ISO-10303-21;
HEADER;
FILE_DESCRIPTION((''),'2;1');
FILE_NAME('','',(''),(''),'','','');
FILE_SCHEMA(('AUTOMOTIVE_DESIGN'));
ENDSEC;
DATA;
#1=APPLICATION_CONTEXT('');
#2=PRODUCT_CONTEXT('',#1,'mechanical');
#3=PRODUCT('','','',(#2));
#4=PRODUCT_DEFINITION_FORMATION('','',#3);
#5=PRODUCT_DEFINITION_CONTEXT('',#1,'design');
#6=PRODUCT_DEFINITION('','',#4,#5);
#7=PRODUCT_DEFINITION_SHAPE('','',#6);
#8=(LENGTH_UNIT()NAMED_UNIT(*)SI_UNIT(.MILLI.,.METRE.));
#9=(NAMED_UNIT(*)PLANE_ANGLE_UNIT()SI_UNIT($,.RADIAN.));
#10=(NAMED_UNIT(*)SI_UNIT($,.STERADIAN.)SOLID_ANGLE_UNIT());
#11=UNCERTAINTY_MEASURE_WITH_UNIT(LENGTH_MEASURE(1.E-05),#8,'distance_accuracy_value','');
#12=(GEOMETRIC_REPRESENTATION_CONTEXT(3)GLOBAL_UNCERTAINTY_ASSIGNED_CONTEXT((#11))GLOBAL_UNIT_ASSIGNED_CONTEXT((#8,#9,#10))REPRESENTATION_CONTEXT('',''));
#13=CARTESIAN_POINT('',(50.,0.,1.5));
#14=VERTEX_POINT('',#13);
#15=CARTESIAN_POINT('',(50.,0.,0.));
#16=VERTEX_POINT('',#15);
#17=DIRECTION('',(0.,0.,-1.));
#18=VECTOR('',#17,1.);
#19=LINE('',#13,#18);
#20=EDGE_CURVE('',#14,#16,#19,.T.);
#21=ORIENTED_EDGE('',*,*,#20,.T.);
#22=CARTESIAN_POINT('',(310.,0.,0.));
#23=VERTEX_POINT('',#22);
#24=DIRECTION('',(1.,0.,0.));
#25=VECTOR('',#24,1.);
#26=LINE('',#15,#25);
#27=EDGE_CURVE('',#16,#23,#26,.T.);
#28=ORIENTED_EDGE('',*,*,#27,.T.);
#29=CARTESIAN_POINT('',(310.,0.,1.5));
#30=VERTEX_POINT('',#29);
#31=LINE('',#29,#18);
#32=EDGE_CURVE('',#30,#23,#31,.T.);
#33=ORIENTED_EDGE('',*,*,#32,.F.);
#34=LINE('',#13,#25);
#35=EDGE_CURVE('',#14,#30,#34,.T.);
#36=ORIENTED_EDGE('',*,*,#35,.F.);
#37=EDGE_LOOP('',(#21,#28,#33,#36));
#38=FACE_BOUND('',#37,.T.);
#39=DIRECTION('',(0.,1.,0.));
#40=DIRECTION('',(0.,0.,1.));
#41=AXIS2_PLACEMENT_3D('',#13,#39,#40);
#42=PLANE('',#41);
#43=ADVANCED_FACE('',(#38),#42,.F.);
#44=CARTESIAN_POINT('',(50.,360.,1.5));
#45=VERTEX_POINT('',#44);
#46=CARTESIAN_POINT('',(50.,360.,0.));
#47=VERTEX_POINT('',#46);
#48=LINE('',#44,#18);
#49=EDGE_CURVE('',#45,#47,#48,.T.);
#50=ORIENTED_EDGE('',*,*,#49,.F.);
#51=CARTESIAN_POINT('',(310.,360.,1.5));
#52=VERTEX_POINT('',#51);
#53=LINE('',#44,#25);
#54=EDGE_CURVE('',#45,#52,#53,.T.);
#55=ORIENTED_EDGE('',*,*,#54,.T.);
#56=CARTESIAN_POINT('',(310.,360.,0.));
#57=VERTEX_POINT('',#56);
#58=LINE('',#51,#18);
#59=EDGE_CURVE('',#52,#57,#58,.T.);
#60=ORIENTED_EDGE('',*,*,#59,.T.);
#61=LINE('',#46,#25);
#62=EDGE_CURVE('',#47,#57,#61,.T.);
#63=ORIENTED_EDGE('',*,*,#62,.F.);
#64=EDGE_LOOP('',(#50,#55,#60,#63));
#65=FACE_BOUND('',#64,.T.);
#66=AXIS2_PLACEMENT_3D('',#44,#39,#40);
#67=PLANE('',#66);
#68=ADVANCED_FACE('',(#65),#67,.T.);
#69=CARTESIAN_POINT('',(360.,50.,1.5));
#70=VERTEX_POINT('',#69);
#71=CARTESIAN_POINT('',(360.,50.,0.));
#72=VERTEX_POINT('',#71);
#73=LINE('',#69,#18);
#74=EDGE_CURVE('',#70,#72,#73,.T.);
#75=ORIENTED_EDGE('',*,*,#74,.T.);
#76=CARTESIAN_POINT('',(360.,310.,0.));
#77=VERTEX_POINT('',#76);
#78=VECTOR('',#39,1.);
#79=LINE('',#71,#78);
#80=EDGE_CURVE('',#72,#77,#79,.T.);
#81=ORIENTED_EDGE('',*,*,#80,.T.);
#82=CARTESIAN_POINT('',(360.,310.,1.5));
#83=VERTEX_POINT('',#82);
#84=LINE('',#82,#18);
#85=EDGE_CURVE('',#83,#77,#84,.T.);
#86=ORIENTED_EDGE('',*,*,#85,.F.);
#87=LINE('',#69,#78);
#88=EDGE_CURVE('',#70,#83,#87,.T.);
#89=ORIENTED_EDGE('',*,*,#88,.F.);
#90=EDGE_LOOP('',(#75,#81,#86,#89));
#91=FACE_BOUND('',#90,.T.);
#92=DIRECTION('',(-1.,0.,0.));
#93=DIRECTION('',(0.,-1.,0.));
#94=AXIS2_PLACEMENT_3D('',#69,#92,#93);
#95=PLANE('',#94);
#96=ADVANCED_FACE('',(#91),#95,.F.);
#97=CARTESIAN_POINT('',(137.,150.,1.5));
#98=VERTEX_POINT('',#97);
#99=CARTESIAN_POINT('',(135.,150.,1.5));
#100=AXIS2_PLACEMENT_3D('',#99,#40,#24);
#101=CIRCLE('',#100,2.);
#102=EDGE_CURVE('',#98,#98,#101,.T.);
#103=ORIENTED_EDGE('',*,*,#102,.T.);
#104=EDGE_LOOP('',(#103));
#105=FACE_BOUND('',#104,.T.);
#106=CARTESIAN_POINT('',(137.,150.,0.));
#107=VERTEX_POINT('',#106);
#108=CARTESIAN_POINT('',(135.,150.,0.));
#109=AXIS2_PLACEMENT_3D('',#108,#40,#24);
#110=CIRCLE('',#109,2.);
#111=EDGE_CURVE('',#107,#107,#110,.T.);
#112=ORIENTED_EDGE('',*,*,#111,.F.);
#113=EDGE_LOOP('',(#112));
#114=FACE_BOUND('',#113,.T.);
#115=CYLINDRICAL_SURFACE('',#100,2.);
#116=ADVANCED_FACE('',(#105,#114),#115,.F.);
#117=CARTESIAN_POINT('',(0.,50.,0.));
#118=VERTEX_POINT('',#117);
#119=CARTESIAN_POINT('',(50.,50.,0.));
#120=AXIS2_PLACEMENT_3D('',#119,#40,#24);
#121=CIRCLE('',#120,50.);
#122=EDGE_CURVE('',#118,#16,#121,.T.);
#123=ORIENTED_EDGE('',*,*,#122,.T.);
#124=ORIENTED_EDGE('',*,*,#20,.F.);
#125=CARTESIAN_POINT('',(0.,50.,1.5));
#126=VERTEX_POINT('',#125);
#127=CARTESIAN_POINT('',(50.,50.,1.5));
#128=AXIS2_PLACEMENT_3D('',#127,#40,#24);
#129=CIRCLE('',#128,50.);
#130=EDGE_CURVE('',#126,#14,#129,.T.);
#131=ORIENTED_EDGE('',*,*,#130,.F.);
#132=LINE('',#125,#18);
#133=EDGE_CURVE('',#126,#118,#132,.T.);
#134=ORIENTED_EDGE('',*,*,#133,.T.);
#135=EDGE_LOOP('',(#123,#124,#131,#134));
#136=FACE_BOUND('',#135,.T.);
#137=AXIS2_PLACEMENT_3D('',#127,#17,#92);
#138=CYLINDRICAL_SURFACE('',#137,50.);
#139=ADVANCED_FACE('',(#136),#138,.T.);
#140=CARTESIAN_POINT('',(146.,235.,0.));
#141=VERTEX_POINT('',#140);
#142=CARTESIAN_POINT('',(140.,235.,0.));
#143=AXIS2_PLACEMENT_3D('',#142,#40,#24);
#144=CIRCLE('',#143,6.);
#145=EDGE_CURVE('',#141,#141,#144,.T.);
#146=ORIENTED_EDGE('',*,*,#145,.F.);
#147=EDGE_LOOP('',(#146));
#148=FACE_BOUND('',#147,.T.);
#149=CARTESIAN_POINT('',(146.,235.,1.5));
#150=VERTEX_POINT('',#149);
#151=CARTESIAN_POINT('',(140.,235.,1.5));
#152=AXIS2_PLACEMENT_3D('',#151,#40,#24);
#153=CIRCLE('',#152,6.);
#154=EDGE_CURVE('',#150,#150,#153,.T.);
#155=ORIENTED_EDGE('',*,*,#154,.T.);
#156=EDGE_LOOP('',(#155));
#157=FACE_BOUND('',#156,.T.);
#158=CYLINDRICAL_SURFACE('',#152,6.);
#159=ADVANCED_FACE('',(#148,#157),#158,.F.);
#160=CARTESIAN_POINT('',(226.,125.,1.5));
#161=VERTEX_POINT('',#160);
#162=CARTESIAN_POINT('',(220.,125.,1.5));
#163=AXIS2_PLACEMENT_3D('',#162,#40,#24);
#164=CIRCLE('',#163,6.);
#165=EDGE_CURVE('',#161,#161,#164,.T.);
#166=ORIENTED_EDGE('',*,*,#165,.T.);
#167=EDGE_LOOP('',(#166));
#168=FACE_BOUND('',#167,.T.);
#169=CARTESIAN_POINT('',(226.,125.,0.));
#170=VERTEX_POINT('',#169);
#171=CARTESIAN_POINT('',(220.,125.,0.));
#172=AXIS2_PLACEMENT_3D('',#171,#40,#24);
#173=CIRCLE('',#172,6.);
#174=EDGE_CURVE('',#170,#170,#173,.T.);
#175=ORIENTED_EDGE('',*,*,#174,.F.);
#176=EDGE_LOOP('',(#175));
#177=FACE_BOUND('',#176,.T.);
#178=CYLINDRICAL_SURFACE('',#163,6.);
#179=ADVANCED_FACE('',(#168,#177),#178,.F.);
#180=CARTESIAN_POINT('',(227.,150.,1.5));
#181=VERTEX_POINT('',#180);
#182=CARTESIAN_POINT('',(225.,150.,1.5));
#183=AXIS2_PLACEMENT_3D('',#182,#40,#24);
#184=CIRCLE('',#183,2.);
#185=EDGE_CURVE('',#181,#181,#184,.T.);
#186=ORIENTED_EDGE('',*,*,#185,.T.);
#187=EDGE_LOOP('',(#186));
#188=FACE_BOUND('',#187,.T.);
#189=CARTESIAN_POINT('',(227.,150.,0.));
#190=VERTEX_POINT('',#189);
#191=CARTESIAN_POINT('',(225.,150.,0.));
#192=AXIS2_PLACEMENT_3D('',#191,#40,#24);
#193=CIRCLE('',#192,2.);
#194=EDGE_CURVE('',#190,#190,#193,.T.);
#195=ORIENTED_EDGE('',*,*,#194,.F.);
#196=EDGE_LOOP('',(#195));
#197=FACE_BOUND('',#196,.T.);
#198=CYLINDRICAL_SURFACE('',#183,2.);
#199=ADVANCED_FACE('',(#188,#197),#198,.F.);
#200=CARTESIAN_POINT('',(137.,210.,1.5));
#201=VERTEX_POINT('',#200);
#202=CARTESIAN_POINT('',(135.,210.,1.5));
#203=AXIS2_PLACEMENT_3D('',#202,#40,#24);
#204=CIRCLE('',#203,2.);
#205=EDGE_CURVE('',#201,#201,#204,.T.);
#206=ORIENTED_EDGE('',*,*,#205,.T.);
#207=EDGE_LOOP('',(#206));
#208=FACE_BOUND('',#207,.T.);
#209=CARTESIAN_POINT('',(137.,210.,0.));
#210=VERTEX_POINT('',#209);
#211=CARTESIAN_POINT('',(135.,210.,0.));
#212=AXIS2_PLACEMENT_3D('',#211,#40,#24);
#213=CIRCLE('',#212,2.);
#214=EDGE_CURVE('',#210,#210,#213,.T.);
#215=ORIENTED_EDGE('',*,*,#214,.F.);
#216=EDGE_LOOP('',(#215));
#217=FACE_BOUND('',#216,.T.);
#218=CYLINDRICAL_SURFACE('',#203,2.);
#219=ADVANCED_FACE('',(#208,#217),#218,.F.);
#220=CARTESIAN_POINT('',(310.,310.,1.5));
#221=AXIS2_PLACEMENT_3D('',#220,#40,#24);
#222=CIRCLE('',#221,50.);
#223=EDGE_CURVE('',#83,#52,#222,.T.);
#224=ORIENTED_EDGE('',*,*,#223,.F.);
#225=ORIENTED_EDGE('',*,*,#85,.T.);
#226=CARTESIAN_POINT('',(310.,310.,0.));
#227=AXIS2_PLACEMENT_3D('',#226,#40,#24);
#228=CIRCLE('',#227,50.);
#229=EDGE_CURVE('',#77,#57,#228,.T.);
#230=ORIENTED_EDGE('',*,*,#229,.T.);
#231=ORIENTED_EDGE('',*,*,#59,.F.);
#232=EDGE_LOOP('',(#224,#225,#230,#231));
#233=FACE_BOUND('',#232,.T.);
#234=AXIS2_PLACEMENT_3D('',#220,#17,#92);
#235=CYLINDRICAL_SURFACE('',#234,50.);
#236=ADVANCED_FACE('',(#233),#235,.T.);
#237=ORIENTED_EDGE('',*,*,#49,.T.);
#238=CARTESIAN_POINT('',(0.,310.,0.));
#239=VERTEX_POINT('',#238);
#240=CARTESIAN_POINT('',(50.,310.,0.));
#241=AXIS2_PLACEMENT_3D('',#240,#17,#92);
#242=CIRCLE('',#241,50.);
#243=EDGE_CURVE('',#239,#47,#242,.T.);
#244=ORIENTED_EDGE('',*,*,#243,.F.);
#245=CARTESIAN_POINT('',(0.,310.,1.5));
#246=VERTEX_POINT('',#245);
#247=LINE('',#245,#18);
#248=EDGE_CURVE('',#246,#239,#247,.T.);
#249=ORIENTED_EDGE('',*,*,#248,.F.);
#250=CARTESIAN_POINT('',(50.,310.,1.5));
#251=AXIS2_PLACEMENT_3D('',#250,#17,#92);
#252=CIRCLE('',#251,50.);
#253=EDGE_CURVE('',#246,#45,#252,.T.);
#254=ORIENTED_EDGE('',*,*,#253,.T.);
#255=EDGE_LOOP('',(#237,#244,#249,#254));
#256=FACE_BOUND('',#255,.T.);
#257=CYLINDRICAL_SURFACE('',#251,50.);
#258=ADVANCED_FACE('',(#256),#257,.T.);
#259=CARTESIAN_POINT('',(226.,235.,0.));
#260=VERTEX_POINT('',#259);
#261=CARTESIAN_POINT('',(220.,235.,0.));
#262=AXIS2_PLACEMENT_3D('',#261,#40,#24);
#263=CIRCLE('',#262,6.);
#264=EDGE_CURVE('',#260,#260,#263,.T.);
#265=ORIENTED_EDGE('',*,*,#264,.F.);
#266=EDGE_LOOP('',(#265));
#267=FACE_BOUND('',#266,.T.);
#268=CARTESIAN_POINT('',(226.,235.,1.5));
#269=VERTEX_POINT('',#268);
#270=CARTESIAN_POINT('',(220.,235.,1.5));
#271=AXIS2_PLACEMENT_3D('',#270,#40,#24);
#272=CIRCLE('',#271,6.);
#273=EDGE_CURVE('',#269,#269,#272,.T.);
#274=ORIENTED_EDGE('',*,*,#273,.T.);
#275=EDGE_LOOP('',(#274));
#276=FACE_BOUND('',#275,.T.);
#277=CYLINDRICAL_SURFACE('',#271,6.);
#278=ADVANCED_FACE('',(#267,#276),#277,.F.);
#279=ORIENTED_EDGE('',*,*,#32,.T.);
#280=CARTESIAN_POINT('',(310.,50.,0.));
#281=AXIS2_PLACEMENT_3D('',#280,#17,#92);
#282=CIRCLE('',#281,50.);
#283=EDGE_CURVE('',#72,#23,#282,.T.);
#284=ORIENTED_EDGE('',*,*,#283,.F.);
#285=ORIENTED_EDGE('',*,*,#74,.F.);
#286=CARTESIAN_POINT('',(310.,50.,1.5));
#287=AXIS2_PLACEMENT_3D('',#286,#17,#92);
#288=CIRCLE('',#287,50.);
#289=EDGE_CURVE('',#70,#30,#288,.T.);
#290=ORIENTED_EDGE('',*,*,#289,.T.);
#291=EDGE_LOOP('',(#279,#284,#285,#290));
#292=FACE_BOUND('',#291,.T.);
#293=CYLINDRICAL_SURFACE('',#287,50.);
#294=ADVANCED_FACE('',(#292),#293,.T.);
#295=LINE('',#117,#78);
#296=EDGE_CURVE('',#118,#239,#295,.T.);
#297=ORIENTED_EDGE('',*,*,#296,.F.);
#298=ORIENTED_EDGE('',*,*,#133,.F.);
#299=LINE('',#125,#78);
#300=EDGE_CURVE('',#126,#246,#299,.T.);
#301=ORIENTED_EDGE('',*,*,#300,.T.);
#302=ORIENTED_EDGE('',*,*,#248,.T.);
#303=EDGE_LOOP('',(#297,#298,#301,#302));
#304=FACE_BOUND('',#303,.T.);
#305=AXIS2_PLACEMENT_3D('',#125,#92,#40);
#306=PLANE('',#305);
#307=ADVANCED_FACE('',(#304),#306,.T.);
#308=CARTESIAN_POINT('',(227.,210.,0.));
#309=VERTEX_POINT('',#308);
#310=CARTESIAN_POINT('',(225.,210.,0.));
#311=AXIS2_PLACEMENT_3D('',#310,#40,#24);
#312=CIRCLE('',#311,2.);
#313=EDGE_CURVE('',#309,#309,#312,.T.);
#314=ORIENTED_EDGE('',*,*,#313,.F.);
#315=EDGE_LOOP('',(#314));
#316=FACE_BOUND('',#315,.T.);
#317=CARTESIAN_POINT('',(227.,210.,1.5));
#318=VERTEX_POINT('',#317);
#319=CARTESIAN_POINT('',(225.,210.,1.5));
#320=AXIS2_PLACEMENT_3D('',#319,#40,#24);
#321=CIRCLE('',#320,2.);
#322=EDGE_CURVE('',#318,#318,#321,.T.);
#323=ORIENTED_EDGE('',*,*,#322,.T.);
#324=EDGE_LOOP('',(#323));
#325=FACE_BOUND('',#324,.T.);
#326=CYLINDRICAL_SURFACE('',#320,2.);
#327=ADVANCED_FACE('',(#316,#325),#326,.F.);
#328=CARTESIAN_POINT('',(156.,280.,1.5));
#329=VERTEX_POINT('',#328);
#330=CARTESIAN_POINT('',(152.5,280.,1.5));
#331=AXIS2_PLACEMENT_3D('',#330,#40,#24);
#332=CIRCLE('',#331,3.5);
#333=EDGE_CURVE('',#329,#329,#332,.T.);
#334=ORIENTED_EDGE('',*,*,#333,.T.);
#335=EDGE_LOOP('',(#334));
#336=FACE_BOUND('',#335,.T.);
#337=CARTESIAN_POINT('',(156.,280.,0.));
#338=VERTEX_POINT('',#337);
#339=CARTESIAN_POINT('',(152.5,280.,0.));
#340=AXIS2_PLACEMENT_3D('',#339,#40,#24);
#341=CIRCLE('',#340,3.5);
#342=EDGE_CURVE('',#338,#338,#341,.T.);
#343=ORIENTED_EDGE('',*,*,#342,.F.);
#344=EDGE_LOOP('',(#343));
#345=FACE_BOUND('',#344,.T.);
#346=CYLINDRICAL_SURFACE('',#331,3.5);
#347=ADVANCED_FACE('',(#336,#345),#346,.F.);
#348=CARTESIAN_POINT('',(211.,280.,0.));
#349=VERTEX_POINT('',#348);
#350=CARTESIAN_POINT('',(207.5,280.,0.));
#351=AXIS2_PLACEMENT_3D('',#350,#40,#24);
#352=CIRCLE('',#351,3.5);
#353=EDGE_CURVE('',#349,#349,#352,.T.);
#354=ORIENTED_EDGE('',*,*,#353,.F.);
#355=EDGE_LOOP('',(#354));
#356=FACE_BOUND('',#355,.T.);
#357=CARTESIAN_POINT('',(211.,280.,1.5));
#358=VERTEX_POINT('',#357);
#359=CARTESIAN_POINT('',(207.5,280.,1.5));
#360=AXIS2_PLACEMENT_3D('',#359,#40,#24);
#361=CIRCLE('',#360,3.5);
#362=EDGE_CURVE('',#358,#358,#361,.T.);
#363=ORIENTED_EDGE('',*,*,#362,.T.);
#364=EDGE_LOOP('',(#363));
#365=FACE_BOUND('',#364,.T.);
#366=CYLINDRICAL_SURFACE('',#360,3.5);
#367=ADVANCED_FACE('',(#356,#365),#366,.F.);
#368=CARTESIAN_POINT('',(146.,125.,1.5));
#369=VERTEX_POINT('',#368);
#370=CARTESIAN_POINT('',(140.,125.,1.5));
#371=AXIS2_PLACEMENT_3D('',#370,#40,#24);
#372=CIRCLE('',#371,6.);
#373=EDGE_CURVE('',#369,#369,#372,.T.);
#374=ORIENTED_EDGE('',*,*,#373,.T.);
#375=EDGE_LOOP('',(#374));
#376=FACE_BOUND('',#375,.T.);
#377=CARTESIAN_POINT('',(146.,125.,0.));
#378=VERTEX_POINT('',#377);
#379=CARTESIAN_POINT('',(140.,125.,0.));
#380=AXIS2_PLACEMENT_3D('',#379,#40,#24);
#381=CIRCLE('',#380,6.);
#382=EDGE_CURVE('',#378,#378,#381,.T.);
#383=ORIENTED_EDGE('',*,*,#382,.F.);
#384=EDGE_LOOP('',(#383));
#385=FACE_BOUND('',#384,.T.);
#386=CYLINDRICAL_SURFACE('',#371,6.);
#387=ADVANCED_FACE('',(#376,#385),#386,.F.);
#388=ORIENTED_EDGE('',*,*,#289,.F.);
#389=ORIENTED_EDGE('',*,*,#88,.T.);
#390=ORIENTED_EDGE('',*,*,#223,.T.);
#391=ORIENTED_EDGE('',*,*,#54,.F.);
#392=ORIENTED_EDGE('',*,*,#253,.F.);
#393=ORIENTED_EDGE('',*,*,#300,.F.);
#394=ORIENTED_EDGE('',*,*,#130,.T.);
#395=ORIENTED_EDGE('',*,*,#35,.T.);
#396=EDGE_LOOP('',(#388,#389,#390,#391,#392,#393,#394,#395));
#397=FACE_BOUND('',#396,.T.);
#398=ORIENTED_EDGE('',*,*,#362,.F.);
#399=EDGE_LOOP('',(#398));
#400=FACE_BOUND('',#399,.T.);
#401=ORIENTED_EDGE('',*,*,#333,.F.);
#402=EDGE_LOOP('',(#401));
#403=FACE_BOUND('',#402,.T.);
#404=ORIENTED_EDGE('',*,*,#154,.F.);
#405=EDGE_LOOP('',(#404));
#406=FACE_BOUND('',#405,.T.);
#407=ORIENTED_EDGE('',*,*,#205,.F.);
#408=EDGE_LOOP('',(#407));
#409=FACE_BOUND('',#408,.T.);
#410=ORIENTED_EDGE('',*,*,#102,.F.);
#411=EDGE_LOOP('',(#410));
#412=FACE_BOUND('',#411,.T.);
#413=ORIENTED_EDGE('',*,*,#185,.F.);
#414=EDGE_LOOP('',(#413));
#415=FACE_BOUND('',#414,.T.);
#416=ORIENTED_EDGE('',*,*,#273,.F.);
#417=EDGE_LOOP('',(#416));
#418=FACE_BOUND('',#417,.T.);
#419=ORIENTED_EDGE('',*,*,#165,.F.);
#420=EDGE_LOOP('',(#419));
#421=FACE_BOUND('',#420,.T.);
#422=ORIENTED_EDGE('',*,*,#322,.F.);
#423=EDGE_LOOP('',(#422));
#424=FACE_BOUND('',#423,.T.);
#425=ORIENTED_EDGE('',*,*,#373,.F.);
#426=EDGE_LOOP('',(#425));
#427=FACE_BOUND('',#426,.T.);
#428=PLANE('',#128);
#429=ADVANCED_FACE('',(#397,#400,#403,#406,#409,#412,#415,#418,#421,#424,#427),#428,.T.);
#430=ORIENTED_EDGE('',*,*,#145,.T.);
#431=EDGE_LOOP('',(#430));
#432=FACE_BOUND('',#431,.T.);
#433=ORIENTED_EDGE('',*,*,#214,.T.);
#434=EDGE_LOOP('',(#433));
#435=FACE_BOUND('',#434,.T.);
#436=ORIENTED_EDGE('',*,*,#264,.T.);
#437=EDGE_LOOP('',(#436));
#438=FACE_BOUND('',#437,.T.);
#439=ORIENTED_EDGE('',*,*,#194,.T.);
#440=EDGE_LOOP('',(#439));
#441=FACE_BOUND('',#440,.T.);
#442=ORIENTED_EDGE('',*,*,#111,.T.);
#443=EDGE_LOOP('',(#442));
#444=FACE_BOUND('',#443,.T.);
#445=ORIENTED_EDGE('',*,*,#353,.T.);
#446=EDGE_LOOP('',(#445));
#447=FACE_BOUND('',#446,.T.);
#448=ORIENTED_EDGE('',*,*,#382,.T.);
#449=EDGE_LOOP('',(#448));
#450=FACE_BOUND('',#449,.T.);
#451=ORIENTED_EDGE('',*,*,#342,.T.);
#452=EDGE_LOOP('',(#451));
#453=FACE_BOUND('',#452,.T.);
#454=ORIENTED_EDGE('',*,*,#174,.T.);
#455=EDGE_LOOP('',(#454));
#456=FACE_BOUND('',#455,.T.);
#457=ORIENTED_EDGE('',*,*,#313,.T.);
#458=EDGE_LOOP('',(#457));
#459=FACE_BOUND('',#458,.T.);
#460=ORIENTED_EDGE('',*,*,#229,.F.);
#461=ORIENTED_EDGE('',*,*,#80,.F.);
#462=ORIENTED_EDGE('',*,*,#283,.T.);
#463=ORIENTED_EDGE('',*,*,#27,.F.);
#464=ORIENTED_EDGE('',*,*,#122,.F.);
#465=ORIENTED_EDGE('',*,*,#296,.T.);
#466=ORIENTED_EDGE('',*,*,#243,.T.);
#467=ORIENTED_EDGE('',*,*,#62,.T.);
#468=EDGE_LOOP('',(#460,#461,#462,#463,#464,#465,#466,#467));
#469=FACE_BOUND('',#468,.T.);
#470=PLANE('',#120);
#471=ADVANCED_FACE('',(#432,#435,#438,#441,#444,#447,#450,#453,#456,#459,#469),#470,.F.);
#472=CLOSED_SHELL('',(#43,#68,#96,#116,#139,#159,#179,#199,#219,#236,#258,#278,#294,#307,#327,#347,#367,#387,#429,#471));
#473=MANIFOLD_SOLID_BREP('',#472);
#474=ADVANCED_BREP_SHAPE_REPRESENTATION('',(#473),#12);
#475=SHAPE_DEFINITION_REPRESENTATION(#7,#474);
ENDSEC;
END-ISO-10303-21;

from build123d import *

# Parameters (mm, degrees)
BOSS_EXTRUDE1_DEPTH      = 1.5
F_4_0_4_DIAMETER_HOLE1_D = 4
F_7_0_7_DIAMETER_HOLE1_D = 7
F_12_0MM_DOWEL_HOLE1_D   = 12


with BuildPart() as part:
    # Sketch1 → Boss-Extrude1 (new body)
    with BuildSketch(Plane.XY):
        with BuildLine():
            Line((50, 0), (310, 0))
            ThreePointArc((310, 0), (345.355339059, 14.644660941), (360, 50))
            Line((360, 50), (360, 310))
            ThreePointArc((360, 310), (345.355339059, 345.355339059), (310, 360))
            Line((310, 360), (50, 360))
            ThreePointArc((50, 360), (14.644660941, 345.355339059), (0, 310))
            Line((0, 310), (0, 50))
            ThreePointArc((0, 50), (14.644660941, 14.644660941), (50, 0))
        make_face()
    extrude(amount=BOSS_EXTRUDE1_DEPTH)

    # Ø4.0 (4) Diameter Hole1 (through all)
    with Locations(Plane(origin=(135, 210, 1.5), x_dir=(1, 0, 0), z_dir=(0, 0, 1))):
        with Locations((0, 0), (90, 0), (90, -60), (0, -60)):
            Hole(F_4_0_4_DIAMETER_HOLE1_D / 2)

    # Ø7.0 (7) Diameter Hole1 (through all)
    with Locations(Plane(origin=(152.5, 280, 1.5), x_dir=(1, 0, 0), z_dir=(0, 0, 1))):
        with Locations((0, 0), (55, 0)):
            Hole(F_7_0_7_DIAMETER_HOLE1_D / 2)

    # Ø12.0mm Dowel Hole1 (through all)
    with Locations(Plane(origin=(140, 235, 1.5), x_dir=(1, 0, 0), z_dir=(0, 0, 1))):
        with Locations((0, 0), (80, 0), (0, -110), (80, -110)):
            Hole(F_12_0MM_DOWEL_HOLE1_D / 2)


solid = part.part
